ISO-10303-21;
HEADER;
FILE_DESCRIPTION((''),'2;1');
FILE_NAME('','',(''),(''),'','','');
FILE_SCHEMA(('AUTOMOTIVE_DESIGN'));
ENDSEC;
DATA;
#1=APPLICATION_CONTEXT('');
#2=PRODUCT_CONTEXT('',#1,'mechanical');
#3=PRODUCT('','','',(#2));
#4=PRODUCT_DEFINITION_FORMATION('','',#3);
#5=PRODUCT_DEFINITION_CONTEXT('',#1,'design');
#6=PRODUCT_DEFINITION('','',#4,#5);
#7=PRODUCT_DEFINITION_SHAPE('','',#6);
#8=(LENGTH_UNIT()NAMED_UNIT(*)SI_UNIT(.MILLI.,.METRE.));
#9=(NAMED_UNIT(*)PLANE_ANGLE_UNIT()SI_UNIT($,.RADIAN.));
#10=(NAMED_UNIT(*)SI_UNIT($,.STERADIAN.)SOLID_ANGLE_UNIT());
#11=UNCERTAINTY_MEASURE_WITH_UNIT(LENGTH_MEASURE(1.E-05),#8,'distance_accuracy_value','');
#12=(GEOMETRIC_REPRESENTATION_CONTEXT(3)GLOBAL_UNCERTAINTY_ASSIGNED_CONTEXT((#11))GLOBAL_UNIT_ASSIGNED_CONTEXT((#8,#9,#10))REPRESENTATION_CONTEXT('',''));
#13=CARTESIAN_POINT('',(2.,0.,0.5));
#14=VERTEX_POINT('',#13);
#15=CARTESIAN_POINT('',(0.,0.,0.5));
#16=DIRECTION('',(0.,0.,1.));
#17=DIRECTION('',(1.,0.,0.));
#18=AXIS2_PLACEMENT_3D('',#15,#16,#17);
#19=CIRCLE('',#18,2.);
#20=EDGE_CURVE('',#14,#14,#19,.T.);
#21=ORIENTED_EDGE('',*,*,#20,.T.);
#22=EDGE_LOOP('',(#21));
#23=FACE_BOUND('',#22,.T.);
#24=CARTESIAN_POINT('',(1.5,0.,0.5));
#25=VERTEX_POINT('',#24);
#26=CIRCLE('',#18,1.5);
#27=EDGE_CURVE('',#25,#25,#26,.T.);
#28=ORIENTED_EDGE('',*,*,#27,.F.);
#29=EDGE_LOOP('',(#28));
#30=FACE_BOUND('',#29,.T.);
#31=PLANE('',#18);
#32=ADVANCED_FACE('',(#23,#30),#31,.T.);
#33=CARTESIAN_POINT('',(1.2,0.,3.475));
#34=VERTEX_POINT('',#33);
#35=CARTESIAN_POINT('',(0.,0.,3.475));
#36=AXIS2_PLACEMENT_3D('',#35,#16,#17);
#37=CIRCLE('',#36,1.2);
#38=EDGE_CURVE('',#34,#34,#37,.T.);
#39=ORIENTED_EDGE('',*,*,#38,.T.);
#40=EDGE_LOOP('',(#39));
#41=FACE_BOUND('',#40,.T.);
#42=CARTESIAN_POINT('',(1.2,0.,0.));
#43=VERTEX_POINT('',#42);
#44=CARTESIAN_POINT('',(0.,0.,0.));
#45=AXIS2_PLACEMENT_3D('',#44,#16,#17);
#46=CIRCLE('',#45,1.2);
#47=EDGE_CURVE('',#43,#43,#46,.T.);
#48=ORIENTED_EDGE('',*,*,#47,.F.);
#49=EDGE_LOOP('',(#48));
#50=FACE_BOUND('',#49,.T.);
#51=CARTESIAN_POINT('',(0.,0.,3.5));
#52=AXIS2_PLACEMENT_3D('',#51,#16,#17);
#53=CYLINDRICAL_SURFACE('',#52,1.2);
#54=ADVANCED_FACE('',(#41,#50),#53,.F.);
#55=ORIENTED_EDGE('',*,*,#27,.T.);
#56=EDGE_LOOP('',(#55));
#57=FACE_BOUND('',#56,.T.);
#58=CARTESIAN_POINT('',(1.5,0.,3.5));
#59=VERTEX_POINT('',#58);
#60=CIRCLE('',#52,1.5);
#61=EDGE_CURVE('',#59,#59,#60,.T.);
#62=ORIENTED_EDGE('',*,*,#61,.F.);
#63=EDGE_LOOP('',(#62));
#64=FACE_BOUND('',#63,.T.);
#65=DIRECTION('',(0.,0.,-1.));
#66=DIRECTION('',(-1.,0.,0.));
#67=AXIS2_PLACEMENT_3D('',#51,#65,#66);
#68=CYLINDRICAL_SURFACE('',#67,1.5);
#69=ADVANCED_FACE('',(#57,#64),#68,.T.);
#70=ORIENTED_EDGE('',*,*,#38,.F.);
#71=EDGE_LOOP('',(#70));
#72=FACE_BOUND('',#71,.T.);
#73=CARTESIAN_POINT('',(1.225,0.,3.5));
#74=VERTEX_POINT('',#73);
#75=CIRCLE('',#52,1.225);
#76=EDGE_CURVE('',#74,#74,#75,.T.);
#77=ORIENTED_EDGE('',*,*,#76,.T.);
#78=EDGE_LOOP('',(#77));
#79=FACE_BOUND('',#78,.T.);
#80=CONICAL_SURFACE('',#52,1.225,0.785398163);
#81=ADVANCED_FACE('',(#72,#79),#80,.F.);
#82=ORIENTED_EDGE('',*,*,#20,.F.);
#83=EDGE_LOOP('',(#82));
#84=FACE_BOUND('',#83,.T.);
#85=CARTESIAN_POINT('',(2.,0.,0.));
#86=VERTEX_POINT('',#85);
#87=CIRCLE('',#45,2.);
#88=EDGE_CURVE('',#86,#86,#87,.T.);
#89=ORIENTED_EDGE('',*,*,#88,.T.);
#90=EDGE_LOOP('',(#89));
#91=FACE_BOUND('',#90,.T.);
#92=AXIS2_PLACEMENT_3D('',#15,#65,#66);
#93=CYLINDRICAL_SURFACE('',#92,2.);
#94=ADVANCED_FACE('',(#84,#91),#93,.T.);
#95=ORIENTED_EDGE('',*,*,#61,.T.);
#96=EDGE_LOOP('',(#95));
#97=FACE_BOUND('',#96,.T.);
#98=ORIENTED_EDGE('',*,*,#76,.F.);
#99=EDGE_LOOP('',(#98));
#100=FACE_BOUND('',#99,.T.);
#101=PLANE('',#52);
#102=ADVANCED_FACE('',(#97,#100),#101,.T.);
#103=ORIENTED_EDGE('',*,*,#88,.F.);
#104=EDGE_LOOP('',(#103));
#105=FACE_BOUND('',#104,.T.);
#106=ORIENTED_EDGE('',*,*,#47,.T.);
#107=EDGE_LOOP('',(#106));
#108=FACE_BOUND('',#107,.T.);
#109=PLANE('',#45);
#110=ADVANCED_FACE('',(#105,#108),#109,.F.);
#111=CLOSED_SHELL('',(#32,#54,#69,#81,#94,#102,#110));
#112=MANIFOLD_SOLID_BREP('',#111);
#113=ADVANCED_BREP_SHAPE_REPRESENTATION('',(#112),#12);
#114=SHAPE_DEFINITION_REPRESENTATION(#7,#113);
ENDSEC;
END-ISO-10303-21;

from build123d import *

# Parameters (mm, degrees)
SKETCH_1_R                   = 2
EXTRUDE_1_DEPTH              = 0.5
SKETCH_2_R                   = 1.5
EXTRUDE_2_DEPTH              = 3
HOLE_WIZARD_M2_1_D           = 2.4
HOLE_WIZARD_M2_1_CSINK_D     = 2.45
HOLE_WIZARD_M2_1_CSINK_ANGLE = 90


with BuildPart() as part:
    # 草图1 → 凸台-拉伸1 (new body)
    with BuildSketch(Plane.XY):
        Circle(SKETCH_1_R)
    extrude(amount=EXTRUDE_1_DEPTH)

    # 草图2 → 凸台-拉伸2 (add)
    with BuildSketch(Plane.XY.offset(0.5)):
        Circle(SKETCH_2_R)
    extrude(amount=EXTRUDE_2_DEPTH)

    # M2 间隙孔1 (through all)
    with Locations(Plane.XY.offset(3.5)):
        with Locations((0, 0)):
            CounterSinkHole(HOLE_WIZARD_M2_1_D / 2, HOLE_WIZARD_M2_1_CSINK_D / 2, counter_sink_angle=HOLE_WIZARD_M2_1_CSINK_ANGLE)


solid = part.part
